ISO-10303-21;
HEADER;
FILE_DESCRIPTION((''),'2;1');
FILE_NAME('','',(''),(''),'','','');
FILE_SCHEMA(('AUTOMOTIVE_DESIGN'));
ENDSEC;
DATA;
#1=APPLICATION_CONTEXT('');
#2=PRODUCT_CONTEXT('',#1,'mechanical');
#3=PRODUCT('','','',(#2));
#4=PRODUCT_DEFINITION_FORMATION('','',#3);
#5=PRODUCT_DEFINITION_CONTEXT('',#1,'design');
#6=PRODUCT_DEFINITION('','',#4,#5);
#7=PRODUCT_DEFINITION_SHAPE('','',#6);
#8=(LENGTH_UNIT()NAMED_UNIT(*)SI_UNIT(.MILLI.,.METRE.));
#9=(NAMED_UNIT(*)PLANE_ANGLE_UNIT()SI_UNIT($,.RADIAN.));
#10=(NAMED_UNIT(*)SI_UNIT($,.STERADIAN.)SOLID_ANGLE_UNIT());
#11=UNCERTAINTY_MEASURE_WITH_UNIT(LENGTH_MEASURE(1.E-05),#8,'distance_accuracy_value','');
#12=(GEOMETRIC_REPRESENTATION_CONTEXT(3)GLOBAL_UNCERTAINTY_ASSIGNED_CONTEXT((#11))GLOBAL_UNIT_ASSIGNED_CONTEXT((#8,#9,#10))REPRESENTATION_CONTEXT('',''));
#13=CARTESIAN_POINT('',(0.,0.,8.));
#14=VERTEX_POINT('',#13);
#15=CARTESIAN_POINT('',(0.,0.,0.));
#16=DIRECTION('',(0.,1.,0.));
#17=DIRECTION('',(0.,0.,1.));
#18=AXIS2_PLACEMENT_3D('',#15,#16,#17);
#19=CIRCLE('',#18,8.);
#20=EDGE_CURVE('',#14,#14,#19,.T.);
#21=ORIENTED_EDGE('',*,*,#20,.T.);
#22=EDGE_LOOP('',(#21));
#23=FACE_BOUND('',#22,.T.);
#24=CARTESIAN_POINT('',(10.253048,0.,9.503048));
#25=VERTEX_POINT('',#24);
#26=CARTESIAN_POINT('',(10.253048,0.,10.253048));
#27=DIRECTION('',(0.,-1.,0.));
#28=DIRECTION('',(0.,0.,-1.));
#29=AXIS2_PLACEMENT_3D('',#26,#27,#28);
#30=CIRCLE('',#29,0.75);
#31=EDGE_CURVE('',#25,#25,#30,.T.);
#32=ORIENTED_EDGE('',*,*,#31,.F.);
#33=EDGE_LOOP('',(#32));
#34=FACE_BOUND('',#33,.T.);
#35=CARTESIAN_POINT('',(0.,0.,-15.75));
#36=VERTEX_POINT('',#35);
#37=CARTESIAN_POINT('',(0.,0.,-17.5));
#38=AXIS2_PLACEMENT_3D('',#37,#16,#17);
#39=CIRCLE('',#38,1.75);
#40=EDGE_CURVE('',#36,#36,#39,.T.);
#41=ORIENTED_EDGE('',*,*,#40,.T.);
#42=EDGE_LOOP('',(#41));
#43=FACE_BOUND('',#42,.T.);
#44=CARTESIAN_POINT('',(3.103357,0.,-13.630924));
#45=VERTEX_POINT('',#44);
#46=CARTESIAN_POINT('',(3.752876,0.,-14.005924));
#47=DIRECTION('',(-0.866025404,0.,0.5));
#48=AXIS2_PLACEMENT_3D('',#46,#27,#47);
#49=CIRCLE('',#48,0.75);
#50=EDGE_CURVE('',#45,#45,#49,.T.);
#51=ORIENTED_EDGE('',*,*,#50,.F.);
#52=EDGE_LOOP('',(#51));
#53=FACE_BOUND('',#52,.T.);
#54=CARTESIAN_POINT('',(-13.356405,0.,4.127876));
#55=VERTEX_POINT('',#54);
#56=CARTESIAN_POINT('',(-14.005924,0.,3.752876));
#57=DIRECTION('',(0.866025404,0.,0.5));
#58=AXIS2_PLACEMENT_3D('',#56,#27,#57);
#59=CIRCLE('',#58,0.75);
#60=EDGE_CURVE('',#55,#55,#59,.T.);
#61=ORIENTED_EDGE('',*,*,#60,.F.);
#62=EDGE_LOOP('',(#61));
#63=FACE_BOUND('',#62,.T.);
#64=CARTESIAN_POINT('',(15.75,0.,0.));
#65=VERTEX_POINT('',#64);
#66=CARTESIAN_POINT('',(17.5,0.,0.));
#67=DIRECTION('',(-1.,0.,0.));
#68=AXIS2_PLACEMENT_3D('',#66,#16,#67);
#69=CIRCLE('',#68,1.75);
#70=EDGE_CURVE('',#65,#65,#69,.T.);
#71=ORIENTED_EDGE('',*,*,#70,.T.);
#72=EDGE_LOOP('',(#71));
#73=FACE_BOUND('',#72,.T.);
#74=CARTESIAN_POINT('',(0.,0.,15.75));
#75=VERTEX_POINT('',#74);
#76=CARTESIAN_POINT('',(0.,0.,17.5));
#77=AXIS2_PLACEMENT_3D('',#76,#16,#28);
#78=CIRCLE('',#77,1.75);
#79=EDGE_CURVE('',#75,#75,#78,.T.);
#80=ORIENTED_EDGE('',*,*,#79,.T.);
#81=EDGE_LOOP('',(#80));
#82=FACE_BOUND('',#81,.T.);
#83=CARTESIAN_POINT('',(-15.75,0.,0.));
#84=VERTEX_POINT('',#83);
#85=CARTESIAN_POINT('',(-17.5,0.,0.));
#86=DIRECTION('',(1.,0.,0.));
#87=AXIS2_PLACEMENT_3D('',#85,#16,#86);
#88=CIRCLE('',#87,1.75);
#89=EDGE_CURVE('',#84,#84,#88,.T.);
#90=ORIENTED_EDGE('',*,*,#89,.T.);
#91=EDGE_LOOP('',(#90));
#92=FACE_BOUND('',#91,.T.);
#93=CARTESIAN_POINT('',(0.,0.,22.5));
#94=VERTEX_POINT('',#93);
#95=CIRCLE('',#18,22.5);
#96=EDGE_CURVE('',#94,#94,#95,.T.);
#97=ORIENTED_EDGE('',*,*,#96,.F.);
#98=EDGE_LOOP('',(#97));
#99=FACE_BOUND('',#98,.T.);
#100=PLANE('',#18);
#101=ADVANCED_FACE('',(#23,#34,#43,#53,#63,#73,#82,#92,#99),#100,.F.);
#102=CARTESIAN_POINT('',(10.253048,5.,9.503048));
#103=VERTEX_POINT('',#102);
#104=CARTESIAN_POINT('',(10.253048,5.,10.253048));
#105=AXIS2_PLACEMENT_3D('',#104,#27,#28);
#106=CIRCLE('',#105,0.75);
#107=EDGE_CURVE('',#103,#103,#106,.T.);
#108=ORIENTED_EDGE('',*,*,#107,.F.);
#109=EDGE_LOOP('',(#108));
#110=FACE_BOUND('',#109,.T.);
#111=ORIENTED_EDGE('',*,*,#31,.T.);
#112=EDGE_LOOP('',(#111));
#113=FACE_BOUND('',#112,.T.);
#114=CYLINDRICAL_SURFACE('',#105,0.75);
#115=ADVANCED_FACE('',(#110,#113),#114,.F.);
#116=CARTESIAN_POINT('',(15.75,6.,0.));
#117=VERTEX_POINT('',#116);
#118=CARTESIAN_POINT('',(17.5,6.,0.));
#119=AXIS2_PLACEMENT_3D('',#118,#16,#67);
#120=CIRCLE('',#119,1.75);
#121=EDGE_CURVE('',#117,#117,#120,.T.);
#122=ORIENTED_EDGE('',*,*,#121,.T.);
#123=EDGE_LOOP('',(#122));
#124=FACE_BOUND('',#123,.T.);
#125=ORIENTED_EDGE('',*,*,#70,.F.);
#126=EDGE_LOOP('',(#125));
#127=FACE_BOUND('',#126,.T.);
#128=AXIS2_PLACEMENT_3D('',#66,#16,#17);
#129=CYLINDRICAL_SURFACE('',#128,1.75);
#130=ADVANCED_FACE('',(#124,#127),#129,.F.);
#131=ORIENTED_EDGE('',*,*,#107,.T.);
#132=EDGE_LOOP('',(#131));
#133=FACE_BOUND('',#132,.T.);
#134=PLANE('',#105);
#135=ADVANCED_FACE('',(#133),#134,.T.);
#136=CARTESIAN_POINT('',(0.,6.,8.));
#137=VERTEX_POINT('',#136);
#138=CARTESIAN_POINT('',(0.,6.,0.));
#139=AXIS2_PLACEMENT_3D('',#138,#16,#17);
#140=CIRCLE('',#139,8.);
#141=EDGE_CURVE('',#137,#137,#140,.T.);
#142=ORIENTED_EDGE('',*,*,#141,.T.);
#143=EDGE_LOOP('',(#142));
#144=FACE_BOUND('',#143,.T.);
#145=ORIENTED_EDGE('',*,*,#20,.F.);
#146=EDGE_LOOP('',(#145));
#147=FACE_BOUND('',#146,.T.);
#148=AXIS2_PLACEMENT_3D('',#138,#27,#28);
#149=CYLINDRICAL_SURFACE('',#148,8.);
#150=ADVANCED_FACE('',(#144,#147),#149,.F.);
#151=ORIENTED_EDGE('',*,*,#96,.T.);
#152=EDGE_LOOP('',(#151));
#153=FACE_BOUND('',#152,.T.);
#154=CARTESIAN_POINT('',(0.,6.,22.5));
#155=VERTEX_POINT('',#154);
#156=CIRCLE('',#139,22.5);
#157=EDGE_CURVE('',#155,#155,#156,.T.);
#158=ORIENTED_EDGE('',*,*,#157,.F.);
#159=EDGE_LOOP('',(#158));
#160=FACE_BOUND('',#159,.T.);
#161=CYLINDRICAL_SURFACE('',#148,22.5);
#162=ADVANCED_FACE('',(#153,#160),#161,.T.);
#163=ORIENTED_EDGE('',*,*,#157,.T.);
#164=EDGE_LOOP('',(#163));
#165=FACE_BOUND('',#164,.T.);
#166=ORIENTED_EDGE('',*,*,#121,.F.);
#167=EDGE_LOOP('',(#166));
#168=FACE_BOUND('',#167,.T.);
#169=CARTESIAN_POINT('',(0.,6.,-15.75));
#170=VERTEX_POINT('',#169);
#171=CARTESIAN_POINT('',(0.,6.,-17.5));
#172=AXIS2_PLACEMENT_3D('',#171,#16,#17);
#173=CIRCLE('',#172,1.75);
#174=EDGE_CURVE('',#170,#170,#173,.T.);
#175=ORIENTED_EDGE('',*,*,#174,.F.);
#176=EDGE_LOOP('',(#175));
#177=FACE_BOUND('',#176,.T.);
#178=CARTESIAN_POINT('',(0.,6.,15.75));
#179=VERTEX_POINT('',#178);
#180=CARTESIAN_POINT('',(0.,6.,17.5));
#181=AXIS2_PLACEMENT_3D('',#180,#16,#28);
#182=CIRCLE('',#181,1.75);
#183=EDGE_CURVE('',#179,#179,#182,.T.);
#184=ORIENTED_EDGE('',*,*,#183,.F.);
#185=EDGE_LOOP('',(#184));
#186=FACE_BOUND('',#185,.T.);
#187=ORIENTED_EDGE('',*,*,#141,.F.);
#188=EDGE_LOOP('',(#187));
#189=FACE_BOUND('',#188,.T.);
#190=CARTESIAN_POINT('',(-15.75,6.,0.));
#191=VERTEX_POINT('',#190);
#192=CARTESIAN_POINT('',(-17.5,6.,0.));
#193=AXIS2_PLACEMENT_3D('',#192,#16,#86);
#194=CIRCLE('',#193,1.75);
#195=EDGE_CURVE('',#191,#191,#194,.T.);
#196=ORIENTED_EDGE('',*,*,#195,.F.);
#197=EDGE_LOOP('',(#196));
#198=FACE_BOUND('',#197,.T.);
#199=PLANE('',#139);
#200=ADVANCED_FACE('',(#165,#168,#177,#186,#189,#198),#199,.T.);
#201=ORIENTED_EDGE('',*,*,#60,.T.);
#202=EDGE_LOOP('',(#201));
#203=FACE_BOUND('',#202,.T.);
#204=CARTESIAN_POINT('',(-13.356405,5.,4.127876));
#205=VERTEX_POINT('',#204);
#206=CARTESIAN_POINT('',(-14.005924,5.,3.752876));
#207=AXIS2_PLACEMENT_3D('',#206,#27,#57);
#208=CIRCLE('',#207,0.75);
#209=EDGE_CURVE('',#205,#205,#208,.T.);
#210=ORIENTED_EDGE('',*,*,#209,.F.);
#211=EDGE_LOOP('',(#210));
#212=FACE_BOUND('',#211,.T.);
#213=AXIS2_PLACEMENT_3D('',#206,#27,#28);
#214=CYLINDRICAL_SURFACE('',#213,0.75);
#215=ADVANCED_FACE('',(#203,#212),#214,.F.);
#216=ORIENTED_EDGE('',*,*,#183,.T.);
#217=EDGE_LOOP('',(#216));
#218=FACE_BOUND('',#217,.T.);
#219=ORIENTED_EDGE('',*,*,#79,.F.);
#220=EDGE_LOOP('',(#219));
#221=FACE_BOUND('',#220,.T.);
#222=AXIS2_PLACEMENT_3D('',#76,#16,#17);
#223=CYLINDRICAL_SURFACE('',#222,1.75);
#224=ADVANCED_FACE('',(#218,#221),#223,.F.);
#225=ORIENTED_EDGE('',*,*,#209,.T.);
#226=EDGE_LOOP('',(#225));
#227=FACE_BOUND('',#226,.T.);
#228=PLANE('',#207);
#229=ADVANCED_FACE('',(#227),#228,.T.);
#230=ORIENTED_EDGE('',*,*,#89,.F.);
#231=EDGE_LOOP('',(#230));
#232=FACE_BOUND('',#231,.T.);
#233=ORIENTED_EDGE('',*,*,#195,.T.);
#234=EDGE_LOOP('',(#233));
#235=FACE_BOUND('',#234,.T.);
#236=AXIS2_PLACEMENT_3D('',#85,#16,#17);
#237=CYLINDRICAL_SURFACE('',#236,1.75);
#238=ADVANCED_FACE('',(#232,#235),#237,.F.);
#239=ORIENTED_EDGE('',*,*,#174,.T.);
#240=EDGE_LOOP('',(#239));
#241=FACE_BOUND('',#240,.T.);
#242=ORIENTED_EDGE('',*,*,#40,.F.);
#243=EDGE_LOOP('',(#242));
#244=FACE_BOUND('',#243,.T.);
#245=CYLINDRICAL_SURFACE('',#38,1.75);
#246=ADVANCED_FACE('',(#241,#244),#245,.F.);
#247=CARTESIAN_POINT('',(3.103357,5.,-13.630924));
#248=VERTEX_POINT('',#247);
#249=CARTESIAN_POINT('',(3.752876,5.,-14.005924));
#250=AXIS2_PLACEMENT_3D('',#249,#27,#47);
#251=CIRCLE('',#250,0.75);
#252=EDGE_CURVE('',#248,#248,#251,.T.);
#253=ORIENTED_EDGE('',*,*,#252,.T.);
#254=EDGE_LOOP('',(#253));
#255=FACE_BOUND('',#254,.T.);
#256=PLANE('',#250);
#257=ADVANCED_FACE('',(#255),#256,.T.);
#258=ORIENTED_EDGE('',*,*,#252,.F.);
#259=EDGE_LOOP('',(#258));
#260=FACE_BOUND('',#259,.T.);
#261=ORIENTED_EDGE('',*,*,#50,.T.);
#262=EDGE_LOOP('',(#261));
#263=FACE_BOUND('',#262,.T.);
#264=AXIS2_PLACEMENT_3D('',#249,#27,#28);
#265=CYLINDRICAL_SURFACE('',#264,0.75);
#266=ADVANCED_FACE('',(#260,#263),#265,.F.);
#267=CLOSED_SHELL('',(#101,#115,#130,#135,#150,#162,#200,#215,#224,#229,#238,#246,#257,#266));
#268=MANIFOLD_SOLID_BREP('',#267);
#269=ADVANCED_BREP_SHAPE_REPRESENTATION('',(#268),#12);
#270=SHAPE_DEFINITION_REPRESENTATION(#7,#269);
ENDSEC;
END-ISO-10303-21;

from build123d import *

# Parameters (mm, degrees)
SKETCH1_R           = 22.5
SKETCH1_R_2         = 8
BOSS_EXTRUDE1_DEPTH = 6
SKETCH2_R           = 1.75
CUT_EXTRUDE1_DEPTH  = 6
CIRPATTERN1_COUNT   = 4
SKETCH3_R           = 0.75
CUT_EXTRUDE2_DEPTH  = 5
CIRPATTERN2_COUNT   = 3


with BuildPart() as part:
    # Sketch1 → Boss-Extrude1 (new body)
    with BuildSketch(Plane(origin=(0, 0, 0), x_dir=(1, 0, 0), z_dir=(0, 1, 0))):
        Circle(SKETCH1_R)
        Circle(SKETCH1_R_2, mode=Mode.SUBTRACT)
    extrude(amount=BOSS_EXTRUDE1_DEPTH)

    # Sketch2 → Cut-Extrude1 (cut)
    with BuildSketch(Plane(origin=(0, 6, 0), x_dir=(1, 0, 0), z_dir=(0, 1, 0))):
        with Locations((0, 17.5)):
            Circle(SKETCH2_R)
    cut_extrude1 = extrude(amount=-CUT_EXTRUDE1_DEPTH, mode=Mode.SUBTRACT)

    # CirPattern1: Cut-Extrude1 ×4 about axis
    cirpattern1_axis = Axis((0, -0.3, 0), (0, 1, 0))
    for i in range(1, CIRPATTERN1_COUNT):
        add(cut_extrude1.rotate(cirpattern1_axis, i * 360 / CIRPATTERN1_COUNT), mode=Mode.SUBTRACT)

    # Sketch3 → Cut-Extrude2 (cut)
    with BuildSketch(Plane(origin=(0, 0, 0), x_dir=(-1, 0, 0), z_dir=(0, -1, 0))):
        with Locations((-10.253048327, -10.253048327)):
            Circle(SKETCH3_R)
    cut_extrude2 = extrude(amount=-CUT_EXTRUDE2_DEPTH, mode=Mode.SUBTRACT)

    # CirPattern2: Cut-Extrude2 ×3 about axis
    cirpattern2_axis = Axis((0, -0.3, 0), (0, 1, 0))
    for i in range(1, CIRPATTERN2_COUNT):
        add(cut_extrude2.rotate(cirpattern2_axis, i * 360 / CIRPATTERN2_COUNT), mode=Mode.SUBTRACT)


solid = part.part
